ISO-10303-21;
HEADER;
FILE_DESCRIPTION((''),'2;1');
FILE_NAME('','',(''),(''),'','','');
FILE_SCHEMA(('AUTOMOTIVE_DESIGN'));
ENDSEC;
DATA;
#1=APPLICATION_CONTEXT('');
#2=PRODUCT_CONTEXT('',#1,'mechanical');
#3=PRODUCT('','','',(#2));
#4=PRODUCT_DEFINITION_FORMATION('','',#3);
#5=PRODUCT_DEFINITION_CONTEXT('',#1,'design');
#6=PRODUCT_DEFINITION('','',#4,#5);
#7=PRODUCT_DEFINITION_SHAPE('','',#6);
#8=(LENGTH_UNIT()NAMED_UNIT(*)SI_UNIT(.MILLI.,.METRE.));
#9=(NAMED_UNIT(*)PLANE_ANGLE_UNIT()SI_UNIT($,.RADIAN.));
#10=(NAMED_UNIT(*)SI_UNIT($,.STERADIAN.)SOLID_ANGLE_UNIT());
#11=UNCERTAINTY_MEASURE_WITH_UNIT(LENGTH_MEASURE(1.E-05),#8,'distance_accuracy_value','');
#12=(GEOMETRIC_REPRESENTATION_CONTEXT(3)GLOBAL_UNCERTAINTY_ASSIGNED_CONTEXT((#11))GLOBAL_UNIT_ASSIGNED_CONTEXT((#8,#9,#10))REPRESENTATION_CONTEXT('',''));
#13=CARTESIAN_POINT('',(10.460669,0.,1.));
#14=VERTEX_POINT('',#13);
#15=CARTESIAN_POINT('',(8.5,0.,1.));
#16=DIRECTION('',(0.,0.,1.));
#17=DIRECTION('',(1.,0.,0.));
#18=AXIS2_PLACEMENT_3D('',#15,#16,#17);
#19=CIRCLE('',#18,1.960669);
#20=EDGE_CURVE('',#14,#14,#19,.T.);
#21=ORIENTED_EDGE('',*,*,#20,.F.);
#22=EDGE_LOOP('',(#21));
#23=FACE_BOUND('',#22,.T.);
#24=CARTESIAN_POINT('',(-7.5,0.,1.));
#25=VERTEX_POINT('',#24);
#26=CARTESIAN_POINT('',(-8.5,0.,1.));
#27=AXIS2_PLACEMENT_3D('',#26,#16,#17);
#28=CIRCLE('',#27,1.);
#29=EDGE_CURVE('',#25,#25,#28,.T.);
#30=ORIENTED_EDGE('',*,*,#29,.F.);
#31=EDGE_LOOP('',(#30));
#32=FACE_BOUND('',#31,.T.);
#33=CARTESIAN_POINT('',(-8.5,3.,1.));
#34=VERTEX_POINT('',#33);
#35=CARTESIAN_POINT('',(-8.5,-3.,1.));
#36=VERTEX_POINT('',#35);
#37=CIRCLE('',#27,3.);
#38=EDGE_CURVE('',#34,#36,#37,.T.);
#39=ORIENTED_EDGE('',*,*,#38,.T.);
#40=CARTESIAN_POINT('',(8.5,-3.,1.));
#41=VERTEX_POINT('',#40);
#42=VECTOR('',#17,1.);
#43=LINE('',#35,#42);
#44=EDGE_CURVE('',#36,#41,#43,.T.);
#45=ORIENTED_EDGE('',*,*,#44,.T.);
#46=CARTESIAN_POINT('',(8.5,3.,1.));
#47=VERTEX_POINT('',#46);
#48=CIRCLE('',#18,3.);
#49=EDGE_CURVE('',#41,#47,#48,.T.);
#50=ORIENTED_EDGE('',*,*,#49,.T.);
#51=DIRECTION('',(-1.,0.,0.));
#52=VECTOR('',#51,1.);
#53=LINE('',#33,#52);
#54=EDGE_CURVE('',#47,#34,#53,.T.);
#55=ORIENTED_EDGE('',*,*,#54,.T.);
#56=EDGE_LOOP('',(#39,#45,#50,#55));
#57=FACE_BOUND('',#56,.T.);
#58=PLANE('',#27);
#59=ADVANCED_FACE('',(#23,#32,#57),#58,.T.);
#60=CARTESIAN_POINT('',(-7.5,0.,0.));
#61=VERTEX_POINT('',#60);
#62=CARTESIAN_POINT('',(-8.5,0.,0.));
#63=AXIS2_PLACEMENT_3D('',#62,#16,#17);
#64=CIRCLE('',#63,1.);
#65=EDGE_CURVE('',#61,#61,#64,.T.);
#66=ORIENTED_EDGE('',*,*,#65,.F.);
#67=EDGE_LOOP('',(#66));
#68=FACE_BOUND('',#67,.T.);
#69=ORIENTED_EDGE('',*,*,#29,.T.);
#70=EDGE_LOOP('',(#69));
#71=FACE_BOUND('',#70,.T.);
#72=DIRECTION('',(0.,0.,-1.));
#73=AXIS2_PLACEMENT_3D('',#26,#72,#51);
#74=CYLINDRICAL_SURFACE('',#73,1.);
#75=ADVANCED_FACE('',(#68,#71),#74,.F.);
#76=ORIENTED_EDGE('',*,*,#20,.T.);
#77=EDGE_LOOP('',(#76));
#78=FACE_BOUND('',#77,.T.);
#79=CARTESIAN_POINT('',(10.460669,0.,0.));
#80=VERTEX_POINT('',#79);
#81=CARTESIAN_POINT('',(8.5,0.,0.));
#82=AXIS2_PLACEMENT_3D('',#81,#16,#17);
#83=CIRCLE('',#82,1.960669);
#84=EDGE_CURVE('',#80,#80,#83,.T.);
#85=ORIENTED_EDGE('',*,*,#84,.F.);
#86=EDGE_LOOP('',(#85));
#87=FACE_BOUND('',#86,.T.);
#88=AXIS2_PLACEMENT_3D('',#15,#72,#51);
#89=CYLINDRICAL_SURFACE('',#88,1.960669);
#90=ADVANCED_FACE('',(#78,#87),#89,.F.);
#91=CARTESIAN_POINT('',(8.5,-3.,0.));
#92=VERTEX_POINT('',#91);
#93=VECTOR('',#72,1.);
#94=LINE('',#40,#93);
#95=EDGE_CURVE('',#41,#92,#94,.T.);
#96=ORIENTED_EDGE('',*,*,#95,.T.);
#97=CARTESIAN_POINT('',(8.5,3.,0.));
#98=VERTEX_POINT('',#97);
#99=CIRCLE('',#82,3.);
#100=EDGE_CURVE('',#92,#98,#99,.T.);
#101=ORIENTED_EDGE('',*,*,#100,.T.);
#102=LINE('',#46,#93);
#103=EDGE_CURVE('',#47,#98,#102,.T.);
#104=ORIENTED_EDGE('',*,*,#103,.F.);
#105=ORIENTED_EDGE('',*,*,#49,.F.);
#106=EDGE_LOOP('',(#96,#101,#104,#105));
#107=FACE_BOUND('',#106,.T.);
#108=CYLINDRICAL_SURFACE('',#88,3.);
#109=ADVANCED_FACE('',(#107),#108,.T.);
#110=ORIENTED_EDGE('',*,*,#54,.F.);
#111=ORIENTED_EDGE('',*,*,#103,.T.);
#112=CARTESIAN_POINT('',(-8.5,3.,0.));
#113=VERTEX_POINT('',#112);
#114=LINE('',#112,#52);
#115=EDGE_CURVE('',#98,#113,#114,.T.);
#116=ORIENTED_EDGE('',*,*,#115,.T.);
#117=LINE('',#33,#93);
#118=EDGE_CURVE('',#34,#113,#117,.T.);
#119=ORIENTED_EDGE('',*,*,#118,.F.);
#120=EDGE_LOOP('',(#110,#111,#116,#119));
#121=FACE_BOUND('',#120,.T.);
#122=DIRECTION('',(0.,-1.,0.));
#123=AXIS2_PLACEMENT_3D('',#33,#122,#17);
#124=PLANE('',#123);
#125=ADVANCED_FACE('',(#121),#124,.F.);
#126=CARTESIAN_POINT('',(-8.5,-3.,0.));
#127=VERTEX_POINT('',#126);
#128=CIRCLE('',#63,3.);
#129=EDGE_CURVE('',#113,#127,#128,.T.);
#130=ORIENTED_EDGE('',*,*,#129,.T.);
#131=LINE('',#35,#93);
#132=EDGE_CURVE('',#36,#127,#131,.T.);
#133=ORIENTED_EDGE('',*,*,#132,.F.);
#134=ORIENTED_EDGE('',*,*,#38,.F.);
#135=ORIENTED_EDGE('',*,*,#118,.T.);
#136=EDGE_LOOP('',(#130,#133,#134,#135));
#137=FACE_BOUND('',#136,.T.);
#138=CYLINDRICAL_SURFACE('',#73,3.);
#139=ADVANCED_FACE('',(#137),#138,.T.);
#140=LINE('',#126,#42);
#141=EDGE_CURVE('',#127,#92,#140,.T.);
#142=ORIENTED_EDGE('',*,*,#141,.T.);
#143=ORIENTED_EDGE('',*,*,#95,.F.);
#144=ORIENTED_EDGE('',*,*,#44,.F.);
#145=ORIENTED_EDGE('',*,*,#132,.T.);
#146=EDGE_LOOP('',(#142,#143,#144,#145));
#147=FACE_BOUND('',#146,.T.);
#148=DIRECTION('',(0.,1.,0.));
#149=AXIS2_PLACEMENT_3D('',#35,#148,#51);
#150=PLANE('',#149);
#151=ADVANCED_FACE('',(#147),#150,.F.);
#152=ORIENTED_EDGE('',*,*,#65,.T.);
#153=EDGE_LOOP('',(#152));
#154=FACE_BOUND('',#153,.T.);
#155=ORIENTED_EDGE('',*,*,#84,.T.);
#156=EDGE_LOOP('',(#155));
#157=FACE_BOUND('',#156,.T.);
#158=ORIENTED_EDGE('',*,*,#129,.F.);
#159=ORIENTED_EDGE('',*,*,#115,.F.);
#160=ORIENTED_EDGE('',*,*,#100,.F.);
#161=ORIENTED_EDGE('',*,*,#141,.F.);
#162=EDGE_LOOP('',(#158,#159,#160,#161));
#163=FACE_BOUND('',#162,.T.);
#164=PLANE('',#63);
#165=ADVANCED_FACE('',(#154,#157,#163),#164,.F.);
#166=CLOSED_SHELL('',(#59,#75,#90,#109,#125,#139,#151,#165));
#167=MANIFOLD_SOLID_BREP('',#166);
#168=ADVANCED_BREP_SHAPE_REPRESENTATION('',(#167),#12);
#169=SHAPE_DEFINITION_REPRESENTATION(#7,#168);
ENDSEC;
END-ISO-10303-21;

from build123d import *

# Parameters (mm, degrees)
CROQUIS1_R              = 1.960669142
CROQUIS1_R_2            = 1
SALIENTE_EXTRUIR1_DEPTH = 1


with BuildPart() as part:
    # Croquis1 → Saliente-Extruir1 (new body)
    with BuildSketch(Plane.XY):
        with BuildLine():
            Line((-8.5, 3), (8.5, 3))
            ThreePointArc((8.5, 3), (11.5, 0), (8.5, -3))
            Line((8.5, -3), (-8.5, -3))
            ThreePointArc((-8.5, -3), (-11.5, 0), (-8.5, 3))
        make_face()
        with Locations((8.5, 0)):
            Circle(CROQUIS1_R, mode=Mode.SUBTRACT)
        with Locations((-8.5, 0)):
            Circle(CROQUIS1_R_2, mode=Mode.SUBTRACT)
    extrude(amount=SALIENTE_EXTRUIR1_DEPTH)


solid = part.part
